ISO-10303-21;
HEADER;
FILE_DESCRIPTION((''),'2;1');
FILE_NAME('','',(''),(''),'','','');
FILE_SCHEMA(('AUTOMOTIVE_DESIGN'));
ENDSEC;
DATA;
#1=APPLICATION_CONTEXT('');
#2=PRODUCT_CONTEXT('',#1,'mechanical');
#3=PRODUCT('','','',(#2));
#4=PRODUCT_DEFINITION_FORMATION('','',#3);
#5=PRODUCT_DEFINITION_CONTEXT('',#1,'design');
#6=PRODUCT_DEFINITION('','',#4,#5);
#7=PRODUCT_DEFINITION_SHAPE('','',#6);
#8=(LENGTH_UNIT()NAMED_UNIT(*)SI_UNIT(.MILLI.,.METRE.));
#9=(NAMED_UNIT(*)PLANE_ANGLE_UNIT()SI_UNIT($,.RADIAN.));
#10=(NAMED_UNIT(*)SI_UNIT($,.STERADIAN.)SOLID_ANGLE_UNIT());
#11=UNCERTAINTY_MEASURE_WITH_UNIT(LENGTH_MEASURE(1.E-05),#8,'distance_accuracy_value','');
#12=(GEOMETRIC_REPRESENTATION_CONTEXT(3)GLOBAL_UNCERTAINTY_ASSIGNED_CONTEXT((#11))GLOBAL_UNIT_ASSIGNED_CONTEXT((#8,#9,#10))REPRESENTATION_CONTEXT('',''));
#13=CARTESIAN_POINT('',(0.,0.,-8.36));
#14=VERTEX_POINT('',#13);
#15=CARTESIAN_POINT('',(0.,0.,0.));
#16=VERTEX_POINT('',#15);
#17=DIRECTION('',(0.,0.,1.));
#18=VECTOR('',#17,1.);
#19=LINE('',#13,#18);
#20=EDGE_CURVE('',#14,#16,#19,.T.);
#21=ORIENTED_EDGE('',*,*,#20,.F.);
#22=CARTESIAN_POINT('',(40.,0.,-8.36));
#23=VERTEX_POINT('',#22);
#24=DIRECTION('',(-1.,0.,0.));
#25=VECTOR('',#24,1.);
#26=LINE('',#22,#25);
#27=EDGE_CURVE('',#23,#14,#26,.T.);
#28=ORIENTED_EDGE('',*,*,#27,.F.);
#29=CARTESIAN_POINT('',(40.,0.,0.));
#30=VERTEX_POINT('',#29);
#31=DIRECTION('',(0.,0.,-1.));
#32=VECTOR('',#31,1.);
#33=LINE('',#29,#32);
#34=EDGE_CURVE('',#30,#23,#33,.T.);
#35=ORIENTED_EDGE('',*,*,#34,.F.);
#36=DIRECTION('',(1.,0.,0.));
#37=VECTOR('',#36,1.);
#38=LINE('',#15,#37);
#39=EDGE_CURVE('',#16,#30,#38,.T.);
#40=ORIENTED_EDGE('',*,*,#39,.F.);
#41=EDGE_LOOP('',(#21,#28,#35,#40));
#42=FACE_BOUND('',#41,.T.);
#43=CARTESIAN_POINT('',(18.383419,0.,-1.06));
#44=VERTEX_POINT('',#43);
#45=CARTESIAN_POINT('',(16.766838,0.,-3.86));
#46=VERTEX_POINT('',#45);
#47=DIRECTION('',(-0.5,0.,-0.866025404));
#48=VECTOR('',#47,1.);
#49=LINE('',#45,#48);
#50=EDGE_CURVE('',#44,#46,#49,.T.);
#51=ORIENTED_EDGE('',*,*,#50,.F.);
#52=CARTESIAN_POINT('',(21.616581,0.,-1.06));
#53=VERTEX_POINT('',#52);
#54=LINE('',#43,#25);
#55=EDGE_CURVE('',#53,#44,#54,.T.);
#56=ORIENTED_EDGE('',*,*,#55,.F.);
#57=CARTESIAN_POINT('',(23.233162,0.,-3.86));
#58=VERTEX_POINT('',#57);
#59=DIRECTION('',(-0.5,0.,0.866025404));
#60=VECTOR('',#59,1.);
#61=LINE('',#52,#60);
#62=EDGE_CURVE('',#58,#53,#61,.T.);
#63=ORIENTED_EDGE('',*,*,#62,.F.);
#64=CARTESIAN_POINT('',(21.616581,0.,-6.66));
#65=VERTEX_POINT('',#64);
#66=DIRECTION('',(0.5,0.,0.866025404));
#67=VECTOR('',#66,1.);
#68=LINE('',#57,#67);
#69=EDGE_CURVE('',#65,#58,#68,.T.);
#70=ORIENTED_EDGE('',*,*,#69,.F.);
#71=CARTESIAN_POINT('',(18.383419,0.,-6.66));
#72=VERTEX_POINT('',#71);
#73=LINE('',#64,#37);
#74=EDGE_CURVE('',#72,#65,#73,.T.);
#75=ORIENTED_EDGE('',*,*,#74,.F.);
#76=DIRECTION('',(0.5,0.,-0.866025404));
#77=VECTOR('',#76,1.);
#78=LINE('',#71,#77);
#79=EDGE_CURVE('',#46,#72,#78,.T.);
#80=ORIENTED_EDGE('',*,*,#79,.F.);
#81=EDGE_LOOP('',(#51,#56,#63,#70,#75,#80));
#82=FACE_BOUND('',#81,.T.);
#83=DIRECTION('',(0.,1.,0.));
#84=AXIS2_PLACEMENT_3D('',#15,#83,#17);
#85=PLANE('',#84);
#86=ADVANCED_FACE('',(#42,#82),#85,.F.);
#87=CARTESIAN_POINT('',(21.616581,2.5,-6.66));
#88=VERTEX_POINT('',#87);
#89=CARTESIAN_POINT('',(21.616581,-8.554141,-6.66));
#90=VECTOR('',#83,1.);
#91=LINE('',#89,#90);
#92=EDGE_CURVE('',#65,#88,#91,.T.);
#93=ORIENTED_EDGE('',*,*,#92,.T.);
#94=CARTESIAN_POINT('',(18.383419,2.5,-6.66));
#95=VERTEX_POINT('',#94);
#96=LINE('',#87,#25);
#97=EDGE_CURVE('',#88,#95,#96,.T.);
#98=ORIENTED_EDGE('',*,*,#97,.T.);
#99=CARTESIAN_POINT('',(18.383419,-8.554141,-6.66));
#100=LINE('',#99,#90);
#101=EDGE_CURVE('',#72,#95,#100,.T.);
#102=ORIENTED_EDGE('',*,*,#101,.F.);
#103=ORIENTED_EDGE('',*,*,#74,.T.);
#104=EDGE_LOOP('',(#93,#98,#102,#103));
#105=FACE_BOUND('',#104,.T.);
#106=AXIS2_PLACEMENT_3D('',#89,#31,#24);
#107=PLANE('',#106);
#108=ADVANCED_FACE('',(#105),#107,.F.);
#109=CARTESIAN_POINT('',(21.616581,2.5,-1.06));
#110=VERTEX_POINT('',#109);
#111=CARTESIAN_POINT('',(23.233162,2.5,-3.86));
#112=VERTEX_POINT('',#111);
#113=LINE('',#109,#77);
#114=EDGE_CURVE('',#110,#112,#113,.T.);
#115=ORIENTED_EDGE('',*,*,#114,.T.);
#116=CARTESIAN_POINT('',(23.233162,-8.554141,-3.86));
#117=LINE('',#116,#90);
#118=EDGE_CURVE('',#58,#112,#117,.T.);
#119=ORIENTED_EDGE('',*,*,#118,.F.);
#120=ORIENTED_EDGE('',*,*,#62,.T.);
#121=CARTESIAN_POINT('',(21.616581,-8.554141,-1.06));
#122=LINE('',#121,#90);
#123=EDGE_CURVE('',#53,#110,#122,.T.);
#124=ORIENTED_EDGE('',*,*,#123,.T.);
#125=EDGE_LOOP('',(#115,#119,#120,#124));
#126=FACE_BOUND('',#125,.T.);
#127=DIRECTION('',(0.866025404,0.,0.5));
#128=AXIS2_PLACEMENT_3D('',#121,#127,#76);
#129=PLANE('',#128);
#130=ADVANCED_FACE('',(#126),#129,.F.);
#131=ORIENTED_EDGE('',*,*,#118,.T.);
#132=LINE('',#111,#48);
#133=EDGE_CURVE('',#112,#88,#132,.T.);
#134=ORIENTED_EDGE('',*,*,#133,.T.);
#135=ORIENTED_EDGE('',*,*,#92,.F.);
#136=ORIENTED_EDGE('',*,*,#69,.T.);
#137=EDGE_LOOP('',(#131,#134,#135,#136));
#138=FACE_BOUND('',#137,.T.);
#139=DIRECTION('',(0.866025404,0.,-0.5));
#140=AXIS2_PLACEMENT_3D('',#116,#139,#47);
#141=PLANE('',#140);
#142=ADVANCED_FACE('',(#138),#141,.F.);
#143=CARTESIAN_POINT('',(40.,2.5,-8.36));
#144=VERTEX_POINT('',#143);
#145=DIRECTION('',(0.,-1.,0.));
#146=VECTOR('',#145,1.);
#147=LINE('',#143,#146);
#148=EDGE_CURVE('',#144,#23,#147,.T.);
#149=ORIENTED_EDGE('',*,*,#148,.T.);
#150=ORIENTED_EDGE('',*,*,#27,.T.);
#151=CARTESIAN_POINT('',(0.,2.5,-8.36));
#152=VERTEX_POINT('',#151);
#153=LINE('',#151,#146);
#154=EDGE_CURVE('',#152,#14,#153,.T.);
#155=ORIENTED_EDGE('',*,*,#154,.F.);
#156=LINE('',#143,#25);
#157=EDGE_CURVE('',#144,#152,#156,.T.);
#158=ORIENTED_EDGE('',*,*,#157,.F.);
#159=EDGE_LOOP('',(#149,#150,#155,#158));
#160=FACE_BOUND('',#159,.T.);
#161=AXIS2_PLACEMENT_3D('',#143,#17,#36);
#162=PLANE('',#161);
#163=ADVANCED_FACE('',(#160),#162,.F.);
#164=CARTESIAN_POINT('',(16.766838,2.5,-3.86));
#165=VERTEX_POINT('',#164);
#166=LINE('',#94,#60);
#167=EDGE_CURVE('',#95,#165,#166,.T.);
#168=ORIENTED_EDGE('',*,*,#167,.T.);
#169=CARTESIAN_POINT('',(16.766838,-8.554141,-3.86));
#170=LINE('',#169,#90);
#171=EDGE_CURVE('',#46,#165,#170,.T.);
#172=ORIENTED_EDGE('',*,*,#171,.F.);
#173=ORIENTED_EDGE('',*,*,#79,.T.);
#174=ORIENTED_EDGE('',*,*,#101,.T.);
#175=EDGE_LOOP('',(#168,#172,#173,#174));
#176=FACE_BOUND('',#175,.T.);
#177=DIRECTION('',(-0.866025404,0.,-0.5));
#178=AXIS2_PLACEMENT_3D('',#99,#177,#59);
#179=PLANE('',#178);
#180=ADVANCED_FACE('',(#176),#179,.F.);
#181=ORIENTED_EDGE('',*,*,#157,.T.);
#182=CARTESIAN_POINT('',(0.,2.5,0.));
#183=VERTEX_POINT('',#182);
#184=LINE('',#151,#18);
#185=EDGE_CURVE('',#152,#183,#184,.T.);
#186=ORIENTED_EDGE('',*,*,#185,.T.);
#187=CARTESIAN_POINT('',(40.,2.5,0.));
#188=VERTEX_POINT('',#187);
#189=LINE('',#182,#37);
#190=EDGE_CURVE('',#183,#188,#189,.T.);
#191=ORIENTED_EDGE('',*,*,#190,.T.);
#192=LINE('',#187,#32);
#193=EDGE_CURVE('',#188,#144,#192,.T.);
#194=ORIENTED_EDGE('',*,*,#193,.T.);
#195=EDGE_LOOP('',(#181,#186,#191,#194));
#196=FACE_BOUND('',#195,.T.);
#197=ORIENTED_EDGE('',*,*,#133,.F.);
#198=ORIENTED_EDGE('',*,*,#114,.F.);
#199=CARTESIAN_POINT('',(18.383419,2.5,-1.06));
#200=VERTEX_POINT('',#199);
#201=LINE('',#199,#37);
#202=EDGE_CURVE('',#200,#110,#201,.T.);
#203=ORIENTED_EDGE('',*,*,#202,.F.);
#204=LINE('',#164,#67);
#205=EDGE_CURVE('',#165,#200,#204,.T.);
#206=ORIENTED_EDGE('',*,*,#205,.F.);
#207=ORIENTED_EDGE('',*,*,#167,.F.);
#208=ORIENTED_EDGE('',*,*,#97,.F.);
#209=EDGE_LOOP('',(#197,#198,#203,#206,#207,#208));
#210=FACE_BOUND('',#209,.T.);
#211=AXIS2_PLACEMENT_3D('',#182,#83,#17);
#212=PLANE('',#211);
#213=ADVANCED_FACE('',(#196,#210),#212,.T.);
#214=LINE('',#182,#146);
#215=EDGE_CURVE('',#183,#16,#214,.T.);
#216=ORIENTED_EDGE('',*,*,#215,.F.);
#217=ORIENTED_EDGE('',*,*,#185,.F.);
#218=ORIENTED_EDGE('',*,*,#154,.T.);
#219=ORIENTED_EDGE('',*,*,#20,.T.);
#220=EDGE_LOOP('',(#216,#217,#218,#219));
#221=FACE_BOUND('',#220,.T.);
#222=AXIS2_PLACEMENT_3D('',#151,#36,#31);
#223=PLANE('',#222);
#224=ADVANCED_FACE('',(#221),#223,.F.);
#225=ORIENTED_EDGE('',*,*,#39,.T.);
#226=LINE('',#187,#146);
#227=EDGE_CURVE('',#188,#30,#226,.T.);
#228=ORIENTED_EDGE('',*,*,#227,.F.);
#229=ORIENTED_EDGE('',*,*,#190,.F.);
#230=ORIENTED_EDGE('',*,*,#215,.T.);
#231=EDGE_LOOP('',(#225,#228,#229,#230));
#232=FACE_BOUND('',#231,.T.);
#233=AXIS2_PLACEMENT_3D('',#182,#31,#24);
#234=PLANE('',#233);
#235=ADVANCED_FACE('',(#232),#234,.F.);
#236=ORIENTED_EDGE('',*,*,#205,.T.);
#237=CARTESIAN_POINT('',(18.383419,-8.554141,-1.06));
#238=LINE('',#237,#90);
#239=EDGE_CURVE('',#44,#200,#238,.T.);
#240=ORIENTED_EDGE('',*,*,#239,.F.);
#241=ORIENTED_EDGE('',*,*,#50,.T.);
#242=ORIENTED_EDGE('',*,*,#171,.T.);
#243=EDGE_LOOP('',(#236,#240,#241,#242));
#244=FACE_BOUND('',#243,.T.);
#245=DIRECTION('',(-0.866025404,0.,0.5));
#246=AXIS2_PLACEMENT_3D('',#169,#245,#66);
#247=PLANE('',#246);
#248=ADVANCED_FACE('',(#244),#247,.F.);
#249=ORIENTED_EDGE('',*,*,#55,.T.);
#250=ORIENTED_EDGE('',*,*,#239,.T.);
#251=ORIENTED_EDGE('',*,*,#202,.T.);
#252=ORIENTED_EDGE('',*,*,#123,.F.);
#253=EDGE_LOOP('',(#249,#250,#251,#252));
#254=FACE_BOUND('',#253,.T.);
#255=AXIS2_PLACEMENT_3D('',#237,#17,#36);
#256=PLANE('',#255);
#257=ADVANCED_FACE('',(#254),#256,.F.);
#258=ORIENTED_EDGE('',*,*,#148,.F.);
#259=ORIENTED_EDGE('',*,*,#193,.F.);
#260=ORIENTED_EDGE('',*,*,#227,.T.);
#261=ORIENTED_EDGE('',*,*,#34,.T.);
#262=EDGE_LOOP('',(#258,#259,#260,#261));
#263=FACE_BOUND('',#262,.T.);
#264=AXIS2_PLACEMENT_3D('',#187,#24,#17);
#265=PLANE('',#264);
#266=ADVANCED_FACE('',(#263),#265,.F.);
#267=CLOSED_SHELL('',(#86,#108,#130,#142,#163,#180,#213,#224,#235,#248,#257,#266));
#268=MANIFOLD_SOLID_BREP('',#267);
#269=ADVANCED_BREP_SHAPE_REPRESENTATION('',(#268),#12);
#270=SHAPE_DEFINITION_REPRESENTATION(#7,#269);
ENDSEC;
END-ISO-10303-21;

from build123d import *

# Parameters (mm, degrees)
SKIZZE1_W                       = 40
SKIZZE1_H                       = 8.36
AUFSATZ_LINEAR_AUSTRAGEN1_DEPTH = 2.5
SCHNITT_LINEAR_AUSTRAGEN1_DEPTH = 2.5


with BuildPart() as part:
    # Skizze1 → Aufsatz-Linear austragen1 (new body)
    with BuildSketch(Plane(origin=(0, 0, 0), x_dir=(1, 0, 0), z_dir=(0, 1, 0))):
        with Locations((20, 4.18)):
            Rectangle(SKIZZE1_W, SKIZZE1_H)
    extrude(amount=AUFSATZ_LINEAR_AUSTRAGEN1_DEPTH)

    # Skizze3 → Schnitt-Linear austragen1 (cut)
    with BuildSketch(Plane(origin=(0, 2.5, 0), x_dir=(1, 0, 0), z_dir=(0, 1, 0))):
        Polygon((23.233161507, 3.86), (21.616580754, 6.66), (18.383419246, 6.66), (16.766838493, 3.86), (18.383419246, 1.06), (21.616580754, 1.06), align=None)
    extrude(amount=-SCHNITT_LINEAR_AUSTRAGEN1_DEPTH, mode=Mode.SUBTRACT)


solid = part.part
